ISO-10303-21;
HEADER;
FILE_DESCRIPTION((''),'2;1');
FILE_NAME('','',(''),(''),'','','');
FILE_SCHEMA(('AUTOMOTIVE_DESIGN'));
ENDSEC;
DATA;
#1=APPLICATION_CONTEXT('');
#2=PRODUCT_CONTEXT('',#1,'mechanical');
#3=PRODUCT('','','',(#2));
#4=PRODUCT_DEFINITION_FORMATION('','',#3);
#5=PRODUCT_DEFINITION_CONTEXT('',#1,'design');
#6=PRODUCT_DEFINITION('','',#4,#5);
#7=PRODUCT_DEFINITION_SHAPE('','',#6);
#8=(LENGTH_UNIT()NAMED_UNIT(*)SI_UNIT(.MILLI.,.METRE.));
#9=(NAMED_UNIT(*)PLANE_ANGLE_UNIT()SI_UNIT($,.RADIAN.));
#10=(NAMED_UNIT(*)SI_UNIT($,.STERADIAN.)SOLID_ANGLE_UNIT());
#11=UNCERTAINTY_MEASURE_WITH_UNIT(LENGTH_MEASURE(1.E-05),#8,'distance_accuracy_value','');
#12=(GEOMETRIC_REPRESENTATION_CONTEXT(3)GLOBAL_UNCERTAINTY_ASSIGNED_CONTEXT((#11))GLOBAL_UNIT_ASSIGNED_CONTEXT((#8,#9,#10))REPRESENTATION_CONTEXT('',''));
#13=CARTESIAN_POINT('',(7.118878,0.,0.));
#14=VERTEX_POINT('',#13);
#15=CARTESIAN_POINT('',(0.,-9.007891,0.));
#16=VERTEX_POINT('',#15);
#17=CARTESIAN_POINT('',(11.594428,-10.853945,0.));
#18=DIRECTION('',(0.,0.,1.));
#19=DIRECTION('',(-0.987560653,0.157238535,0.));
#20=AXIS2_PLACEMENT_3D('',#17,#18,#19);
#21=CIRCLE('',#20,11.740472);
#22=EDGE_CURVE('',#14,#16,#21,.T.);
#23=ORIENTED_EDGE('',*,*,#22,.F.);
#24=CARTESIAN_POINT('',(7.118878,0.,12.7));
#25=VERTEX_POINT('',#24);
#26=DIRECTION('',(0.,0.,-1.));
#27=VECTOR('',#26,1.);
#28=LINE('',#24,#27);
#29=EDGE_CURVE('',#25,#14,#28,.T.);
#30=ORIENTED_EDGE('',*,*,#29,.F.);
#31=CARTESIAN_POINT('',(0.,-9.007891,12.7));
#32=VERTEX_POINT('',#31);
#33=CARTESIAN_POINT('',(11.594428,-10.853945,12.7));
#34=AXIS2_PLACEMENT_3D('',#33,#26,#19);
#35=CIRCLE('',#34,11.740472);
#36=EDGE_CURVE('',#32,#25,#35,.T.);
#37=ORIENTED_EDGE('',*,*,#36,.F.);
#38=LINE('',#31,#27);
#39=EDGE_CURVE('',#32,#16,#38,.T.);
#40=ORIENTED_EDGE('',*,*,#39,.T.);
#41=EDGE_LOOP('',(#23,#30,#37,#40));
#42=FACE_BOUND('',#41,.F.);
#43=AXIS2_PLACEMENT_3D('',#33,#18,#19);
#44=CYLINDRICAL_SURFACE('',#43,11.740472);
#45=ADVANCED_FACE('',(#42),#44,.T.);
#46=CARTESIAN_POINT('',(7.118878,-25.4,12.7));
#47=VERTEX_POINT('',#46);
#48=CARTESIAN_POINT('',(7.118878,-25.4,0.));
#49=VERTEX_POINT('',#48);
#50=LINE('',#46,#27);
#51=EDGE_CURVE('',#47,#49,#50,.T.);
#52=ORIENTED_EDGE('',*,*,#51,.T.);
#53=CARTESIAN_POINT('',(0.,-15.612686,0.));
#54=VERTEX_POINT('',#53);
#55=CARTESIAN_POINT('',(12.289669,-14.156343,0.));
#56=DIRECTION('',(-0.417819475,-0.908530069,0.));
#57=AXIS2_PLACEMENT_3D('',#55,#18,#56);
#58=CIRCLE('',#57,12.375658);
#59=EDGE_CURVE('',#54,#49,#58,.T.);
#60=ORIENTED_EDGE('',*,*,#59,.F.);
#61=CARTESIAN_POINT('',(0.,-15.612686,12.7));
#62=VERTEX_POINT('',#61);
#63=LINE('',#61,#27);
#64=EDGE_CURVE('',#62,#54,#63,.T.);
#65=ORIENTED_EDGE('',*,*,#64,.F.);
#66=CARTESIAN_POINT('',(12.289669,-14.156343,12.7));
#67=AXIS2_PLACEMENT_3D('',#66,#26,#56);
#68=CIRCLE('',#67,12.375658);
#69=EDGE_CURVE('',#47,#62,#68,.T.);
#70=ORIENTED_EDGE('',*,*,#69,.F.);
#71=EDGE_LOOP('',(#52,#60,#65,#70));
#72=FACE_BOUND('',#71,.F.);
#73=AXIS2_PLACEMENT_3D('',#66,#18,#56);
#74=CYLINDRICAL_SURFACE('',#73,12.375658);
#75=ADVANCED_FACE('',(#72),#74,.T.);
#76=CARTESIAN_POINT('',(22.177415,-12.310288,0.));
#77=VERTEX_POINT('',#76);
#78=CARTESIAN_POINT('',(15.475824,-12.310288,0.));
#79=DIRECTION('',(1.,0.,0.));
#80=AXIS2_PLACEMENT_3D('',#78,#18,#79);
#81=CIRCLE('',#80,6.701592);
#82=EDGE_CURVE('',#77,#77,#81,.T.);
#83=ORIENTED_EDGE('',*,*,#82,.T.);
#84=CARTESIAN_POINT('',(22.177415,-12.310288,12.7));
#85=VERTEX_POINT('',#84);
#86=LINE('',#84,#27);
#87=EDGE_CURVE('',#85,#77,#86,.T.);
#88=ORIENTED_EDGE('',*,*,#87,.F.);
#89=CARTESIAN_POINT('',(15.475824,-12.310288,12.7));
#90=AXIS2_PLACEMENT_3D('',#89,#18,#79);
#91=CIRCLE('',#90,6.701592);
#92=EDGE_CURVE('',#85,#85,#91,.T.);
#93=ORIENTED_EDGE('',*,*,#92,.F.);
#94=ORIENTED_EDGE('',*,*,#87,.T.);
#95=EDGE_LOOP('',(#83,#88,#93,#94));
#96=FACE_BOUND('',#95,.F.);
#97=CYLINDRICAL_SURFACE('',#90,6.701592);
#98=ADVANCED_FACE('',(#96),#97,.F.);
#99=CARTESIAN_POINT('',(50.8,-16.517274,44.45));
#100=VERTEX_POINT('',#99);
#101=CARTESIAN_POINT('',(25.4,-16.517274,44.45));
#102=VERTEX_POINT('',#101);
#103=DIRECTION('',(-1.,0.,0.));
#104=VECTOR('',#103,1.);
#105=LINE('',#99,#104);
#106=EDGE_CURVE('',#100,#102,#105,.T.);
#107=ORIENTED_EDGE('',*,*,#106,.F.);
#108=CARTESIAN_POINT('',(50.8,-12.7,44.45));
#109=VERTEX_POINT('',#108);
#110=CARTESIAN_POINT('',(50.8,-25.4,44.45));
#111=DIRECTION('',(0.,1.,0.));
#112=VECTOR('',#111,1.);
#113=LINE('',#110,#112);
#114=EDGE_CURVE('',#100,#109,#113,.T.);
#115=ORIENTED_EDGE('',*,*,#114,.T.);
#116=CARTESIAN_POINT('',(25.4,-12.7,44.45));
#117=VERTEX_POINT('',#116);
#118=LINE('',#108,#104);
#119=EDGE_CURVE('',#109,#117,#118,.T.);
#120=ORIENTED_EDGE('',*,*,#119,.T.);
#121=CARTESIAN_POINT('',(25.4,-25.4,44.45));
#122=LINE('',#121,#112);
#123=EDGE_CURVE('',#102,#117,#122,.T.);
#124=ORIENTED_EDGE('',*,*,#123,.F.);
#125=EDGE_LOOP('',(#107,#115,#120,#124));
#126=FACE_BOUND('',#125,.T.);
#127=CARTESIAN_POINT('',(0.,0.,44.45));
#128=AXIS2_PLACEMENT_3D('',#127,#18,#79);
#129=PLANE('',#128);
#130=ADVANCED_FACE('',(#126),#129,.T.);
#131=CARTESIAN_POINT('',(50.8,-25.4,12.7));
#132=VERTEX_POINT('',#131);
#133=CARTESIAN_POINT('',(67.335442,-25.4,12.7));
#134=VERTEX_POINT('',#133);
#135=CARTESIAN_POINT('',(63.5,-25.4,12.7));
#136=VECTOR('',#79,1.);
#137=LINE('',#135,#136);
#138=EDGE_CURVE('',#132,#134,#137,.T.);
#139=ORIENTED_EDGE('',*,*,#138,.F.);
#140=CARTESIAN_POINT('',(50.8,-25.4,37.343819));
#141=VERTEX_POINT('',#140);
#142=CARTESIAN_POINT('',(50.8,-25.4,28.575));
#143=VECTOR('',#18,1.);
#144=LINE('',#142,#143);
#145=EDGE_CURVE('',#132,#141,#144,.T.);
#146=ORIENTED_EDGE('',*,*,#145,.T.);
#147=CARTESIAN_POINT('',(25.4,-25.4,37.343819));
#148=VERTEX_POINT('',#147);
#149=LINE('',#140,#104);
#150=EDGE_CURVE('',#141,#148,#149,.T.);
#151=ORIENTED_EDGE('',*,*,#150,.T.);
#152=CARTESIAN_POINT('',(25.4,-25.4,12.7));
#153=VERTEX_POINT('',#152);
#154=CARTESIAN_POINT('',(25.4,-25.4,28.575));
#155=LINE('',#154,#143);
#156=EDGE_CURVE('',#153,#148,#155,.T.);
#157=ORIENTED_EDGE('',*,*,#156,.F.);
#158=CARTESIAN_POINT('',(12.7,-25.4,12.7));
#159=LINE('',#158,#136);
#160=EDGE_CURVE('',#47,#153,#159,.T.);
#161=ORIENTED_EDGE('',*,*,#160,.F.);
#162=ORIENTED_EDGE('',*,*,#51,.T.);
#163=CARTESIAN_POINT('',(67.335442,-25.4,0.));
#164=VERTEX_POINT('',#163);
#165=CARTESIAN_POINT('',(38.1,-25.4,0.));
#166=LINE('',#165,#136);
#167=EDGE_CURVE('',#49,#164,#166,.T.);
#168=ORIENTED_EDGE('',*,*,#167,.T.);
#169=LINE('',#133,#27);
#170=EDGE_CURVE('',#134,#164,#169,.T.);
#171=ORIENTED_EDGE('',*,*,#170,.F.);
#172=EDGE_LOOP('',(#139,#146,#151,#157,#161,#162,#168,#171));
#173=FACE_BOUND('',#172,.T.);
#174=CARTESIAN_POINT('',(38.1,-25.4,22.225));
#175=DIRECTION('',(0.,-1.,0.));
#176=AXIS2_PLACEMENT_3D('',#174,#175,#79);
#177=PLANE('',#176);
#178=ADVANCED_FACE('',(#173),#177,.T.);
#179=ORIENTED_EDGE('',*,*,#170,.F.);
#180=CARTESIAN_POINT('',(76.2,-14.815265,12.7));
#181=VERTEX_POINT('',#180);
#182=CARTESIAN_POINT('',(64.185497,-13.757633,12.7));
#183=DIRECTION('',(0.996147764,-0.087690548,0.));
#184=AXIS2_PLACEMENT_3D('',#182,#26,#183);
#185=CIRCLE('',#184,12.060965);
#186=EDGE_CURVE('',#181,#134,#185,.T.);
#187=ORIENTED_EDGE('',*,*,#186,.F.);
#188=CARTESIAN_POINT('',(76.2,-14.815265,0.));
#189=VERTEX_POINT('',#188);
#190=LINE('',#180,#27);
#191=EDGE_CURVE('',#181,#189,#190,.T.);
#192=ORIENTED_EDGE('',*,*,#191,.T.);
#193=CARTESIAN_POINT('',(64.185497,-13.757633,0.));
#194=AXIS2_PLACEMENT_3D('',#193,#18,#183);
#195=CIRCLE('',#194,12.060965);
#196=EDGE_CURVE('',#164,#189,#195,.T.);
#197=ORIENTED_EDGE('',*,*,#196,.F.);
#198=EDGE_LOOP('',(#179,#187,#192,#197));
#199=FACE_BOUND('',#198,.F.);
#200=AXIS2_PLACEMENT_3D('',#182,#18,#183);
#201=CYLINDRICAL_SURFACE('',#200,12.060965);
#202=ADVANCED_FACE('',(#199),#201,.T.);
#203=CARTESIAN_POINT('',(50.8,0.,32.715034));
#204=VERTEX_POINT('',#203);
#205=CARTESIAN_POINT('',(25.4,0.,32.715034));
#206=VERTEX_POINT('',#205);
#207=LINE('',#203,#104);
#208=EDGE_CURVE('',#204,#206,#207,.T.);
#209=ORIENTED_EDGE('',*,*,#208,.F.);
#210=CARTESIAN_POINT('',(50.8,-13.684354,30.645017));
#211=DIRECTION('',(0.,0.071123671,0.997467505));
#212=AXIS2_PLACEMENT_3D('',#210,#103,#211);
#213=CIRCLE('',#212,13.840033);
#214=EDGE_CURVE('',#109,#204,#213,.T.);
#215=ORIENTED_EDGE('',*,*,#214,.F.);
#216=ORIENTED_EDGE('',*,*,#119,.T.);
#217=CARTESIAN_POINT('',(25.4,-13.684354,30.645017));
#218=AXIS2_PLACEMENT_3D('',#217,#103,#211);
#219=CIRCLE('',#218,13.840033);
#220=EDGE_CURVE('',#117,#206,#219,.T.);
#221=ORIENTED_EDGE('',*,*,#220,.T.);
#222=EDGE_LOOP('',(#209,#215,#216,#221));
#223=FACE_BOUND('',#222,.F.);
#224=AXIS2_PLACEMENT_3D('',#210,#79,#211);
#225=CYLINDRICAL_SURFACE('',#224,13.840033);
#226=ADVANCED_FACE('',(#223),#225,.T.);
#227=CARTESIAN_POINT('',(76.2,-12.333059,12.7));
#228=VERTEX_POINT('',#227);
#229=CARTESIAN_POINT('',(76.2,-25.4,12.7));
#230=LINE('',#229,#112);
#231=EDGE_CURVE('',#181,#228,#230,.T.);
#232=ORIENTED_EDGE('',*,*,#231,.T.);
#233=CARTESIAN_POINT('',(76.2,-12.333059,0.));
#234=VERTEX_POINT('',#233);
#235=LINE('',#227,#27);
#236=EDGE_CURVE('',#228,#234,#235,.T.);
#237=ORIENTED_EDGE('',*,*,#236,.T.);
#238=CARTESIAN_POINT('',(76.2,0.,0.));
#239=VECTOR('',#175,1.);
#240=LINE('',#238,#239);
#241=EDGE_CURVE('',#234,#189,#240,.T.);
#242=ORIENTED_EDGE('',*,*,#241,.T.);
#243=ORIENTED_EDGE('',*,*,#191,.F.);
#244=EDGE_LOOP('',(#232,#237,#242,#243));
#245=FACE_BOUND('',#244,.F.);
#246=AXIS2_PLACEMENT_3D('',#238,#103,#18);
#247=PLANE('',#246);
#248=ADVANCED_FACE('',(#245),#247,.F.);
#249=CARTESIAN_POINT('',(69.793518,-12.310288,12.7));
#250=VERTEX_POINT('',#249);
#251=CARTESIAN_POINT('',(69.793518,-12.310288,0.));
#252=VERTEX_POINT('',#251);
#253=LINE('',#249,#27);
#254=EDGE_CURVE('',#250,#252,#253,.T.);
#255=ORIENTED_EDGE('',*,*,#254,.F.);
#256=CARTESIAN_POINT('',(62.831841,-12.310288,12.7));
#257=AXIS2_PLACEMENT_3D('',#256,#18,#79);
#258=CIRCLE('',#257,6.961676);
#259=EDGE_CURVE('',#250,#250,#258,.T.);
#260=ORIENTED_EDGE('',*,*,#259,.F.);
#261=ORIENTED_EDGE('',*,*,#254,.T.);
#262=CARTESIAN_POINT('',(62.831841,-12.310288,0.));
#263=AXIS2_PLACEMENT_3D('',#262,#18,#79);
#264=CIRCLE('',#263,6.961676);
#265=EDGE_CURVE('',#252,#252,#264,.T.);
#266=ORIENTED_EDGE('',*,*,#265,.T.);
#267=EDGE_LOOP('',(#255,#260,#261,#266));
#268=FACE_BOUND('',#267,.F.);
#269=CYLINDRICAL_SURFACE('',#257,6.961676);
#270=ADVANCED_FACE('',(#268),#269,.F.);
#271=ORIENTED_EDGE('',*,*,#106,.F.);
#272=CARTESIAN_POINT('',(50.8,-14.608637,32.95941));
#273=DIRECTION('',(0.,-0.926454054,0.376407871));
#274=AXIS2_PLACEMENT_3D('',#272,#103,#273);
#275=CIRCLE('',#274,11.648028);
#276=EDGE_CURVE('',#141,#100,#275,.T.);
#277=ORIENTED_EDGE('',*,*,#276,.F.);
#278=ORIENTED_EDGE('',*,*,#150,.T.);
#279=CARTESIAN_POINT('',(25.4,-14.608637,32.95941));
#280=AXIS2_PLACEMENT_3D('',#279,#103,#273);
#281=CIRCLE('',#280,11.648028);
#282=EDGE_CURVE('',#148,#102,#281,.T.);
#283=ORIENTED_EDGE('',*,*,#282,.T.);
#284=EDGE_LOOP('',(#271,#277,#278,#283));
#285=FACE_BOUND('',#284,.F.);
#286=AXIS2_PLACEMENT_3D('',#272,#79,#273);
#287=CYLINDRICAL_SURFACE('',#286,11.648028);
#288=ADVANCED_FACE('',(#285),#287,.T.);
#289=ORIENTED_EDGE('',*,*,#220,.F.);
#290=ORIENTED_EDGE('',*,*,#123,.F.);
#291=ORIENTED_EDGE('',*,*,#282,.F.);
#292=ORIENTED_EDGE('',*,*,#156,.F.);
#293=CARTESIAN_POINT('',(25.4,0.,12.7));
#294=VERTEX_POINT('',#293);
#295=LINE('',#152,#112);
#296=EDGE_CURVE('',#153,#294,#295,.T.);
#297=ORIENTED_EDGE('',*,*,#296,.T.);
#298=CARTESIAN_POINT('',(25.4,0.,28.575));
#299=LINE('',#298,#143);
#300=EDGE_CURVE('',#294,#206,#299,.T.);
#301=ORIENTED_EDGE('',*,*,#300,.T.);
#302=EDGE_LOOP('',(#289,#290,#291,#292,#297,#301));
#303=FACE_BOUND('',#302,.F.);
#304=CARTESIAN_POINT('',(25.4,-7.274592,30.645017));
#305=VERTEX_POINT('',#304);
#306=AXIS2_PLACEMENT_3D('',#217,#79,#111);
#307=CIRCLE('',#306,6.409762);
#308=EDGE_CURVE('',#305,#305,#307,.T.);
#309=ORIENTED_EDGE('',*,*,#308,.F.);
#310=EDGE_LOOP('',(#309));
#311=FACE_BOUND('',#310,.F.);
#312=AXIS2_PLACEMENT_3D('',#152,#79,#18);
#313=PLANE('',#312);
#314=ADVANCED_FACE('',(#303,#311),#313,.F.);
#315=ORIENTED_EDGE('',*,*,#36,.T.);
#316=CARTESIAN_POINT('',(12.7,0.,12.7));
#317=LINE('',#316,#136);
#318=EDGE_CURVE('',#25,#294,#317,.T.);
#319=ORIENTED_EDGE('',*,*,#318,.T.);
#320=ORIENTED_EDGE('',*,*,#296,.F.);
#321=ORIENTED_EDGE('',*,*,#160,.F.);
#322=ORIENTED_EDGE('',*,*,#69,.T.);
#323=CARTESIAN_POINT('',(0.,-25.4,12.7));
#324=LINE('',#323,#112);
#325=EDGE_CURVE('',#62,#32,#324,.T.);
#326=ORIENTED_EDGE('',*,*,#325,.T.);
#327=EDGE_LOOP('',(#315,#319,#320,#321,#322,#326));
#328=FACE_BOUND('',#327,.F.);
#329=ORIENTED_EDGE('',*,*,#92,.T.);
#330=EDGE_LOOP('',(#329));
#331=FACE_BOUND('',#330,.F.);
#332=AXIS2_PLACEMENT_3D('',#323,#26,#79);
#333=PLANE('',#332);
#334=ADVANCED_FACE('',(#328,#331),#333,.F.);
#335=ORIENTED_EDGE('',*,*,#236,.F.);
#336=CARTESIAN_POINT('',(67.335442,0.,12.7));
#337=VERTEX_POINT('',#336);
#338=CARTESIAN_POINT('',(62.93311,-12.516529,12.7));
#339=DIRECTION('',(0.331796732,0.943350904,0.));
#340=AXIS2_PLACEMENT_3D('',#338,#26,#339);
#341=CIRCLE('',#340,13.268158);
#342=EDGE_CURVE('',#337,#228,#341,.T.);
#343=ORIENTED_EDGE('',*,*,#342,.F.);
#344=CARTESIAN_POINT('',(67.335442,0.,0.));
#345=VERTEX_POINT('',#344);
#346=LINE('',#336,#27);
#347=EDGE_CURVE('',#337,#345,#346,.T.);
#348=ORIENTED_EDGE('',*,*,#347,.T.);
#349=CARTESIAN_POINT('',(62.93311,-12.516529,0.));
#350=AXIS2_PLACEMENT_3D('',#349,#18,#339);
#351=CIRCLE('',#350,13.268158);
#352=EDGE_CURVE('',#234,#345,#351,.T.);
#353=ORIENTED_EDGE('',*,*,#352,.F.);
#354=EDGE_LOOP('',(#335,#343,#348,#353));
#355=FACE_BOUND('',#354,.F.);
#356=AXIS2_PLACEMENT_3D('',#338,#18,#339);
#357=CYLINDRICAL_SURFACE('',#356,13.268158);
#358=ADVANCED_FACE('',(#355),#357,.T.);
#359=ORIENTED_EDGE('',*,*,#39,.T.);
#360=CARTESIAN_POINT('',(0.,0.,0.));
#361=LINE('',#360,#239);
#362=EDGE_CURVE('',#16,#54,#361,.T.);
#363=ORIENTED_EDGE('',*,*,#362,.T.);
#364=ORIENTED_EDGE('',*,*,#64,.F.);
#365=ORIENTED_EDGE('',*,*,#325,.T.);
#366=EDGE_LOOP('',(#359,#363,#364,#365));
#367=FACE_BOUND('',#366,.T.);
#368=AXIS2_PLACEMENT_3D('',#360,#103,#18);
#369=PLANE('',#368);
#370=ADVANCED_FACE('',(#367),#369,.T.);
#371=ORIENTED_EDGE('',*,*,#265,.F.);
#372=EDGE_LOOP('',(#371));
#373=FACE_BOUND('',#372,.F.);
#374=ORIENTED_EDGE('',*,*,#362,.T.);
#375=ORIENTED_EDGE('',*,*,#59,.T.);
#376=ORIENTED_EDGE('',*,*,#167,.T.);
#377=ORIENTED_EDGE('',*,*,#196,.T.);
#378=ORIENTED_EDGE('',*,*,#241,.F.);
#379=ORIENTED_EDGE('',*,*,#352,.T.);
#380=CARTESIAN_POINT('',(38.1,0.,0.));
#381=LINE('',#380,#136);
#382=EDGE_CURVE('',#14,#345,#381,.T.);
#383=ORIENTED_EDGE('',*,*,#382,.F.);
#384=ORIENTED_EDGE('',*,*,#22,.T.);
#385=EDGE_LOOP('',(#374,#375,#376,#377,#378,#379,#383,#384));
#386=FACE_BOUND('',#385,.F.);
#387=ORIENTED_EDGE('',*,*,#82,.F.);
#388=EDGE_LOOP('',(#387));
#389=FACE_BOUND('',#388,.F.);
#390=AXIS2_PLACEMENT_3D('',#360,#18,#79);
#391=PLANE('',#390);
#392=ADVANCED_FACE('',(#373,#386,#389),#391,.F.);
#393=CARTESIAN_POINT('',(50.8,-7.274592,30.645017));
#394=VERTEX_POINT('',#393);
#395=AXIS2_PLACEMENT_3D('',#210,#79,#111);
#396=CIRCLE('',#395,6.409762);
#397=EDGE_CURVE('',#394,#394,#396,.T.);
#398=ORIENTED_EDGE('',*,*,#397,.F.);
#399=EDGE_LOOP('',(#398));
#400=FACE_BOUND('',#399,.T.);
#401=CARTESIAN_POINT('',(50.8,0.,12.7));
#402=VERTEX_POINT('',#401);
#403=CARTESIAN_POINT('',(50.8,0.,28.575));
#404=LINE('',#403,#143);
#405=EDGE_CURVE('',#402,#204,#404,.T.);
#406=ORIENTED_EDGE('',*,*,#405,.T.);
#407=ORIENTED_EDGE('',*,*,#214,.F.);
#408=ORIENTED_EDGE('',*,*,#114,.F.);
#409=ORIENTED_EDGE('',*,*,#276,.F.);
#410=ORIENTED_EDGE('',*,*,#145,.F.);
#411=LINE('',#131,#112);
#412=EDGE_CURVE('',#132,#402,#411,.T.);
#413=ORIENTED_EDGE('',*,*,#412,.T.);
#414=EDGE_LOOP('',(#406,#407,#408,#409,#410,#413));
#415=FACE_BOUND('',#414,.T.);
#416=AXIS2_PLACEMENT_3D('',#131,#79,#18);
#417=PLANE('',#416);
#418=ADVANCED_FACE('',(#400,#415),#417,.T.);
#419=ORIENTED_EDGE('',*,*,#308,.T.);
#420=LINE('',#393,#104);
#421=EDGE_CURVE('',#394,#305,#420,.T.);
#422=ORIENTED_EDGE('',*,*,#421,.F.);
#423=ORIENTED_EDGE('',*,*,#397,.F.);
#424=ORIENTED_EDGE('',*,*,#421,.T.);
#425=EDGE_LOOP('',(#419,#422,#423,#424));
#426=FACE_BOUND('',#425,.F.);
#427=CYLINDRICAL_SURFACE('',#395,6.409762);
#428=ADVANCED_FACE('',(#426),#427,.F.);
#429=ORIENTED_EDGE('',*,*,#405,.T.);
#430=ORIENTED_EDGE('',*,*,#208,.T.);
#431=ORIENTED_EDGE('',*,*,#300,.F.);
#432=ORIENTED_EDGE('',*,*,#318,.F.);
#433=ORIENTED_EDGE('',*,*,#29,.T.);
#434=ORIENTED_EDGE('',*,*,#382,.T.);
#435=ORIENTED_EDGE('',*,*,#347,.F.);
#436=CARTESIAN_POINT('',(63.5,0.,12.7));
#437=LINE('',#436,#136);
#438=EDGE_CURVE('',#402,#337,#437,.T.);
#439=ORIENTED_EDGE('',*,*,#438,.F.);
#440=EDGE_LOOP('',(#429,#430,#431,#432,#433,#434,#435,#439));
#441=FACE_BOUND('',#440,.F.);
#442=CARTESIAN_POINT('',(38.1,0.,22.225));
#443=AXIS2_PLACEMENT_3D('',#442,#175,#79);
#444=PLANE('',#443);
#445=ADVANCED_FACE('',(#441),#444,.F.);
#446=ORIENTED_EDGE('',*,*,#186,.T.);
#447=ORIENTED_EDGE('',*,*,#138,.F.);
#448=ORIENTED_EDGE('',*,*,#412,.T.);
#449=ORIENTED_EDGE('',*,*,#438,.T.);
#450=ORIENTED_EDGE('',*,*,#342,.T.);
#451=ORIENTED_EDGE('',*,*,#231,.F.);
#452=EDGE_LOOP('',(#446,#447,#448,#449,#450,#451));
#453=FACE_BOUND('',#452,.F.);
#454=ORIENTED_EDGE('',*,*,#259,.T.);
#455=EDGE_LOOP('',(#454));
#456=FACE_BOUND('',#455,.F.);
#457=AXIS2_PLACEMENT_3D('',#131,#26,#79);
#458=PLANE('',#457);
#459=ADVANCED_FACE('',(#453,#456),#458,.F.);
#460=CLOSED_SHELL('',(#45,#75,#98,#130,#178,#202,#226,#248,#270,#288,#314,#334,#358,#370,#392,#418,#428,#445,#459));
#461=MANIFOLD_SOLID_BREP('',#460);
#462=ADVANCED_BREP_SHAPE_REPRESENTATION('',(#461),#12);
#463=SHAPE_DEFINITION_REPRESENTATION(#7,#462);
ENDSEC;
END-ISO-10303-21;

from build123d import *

# Parameters (mm, degrees)
F0_W      = 76.2
F0_H      = 44.45
F1_DEPTH  = 25.4
F2_W      = 25.4
F2_H      = 31.75
F3_DEPTH  = 25.4
F5_DEPTH  = 25.4
F6_R      = 6.4097616639
F7_DEPTH  = 25.4
F9_DEPTH  = 25.4
F11_DEPTH = 25.4
F12_R     = 6.9616762065
F12_R_2   = 6.701591824
F13_DEPTH = 25.4


with BuildPart() as f1:
    # F0 (on Front) → F1 (new body)
    with BuildSketch(Plane.XZ):
        with Locations((38.1, 22.225)):
            Rectangle(F0_W, F0_H)
    extrude(amount=F1_DEPTH)

    # F2 (on face) → F3 (cut)
    with BuildSketch(Plane.XZ.offset(25.4)):
        with Locations((12.7, 28.575)):
            Rectangle(F2_W, F2_H)
        with Locations((63.5, 28.575)):
            Rectangle(F2_W, F2_H)
    extrude(amount=-F3_DEPTH, mode=Mode.SUBTRACT)

    # F4 (on face) → F5 (cut)
    with BuildSketch(Plane.YZ.offset(50.8)):
        with BuildLine():
            ThreePointArc((-25.4, 37.343819084), (-21.8851025395, 42.054991557), (-16.517273855, 44.45))
            Line((-16.517273855, 44.45), (-25.4, 44.45))
            Line((-25.4, 44.45), (-25.4, 37.343819084))
        make_face()
        with BuildLine():
            Line((0, 44.45), (-12.7, 44.45))
            ThreePointArc((-12.7, 44.45), (-4.2917980427, 40.8099765707), (0, 32.7150336876))
            Line((0, 32.7150336876), (0, 44.45))
        make_face()
    extrude(amount=-F5_DEPTH, mode=Mode.SUBTRACT)

    # F6 (on face) → F7 (cut)
    with BuildSketch(Plane.YZ.offset(50.8)):
        with Locations((-13.6843539452, 30.6450168438)):
            Circle(F6_R)
    extrude(amount=-F7_DEPTH, mode=Mode.SUBTRACT)

    # F8 (on face) → F9 (cut)
    with BuildSketch(Plane.XY.offset(12.7)):
        with BuildLine():
            Line((0, 0), (0, -9.0078908736))
            ThreePointArc((0, -9.0078908736), (2.3832082238, -3.5743776274), (7.1188784204, 0))
            Line((7.1188784204, 0), (0, 0))
        make_face()
        with BuildLine():
            ThreePointArc((7.1188784204, -25.4), (2.2814327848, -21.4359106329), (0, -15.612685647))
            Line((0, -15.612685647), (0, -25.4))
            Line((0, -25.4), (7.1188784204, -25.4))
        make_face()
    extrude(amount=-F9_DEPTH, mode=Mode.SUBTRACT)

    # F10 (on face) → F11 (cut)
    with BuildSketch(Plane.XY.offset(12.7)):
        with BuildLine():
            ThreePointArc((67.3354417086, 0), (73.7069873412, -4.7726544119), (76.2, -12.3330586186))
            Line((76.2, -12.3330586186), (76.2, 0))
            Line((76.2, 0), (67.3354417086, 0))
        make_face()
        with BuildLine():
            ThreePointArc((76.2, -14.8152652197), (73.4320785831, -21.5015075072), (67.3354417086, -25.4))
            Line((67.3354417086, -25.4), (76.2, -25.4))
            Line((76.2, -25.4), (76.2, -14.8152652197))
        make_face()
    extrude(amount=-F11_DEPTH, mode=Mode.SUBTRACT)

    # F12 (on face) → F13 (cut)
    with BuildSketch(Plane.XY.offset(12.7)):
        with Locations((62.8318414092, -12.3102882603)):
            Circle(F12_R)
        with Locations((15.475823544, -12.3102882603)):
            Circle(F12_R_2)
    extrude(amount=-F13_DEPTH, mode=Mode.SUBTRACT)


solid = f1.part
